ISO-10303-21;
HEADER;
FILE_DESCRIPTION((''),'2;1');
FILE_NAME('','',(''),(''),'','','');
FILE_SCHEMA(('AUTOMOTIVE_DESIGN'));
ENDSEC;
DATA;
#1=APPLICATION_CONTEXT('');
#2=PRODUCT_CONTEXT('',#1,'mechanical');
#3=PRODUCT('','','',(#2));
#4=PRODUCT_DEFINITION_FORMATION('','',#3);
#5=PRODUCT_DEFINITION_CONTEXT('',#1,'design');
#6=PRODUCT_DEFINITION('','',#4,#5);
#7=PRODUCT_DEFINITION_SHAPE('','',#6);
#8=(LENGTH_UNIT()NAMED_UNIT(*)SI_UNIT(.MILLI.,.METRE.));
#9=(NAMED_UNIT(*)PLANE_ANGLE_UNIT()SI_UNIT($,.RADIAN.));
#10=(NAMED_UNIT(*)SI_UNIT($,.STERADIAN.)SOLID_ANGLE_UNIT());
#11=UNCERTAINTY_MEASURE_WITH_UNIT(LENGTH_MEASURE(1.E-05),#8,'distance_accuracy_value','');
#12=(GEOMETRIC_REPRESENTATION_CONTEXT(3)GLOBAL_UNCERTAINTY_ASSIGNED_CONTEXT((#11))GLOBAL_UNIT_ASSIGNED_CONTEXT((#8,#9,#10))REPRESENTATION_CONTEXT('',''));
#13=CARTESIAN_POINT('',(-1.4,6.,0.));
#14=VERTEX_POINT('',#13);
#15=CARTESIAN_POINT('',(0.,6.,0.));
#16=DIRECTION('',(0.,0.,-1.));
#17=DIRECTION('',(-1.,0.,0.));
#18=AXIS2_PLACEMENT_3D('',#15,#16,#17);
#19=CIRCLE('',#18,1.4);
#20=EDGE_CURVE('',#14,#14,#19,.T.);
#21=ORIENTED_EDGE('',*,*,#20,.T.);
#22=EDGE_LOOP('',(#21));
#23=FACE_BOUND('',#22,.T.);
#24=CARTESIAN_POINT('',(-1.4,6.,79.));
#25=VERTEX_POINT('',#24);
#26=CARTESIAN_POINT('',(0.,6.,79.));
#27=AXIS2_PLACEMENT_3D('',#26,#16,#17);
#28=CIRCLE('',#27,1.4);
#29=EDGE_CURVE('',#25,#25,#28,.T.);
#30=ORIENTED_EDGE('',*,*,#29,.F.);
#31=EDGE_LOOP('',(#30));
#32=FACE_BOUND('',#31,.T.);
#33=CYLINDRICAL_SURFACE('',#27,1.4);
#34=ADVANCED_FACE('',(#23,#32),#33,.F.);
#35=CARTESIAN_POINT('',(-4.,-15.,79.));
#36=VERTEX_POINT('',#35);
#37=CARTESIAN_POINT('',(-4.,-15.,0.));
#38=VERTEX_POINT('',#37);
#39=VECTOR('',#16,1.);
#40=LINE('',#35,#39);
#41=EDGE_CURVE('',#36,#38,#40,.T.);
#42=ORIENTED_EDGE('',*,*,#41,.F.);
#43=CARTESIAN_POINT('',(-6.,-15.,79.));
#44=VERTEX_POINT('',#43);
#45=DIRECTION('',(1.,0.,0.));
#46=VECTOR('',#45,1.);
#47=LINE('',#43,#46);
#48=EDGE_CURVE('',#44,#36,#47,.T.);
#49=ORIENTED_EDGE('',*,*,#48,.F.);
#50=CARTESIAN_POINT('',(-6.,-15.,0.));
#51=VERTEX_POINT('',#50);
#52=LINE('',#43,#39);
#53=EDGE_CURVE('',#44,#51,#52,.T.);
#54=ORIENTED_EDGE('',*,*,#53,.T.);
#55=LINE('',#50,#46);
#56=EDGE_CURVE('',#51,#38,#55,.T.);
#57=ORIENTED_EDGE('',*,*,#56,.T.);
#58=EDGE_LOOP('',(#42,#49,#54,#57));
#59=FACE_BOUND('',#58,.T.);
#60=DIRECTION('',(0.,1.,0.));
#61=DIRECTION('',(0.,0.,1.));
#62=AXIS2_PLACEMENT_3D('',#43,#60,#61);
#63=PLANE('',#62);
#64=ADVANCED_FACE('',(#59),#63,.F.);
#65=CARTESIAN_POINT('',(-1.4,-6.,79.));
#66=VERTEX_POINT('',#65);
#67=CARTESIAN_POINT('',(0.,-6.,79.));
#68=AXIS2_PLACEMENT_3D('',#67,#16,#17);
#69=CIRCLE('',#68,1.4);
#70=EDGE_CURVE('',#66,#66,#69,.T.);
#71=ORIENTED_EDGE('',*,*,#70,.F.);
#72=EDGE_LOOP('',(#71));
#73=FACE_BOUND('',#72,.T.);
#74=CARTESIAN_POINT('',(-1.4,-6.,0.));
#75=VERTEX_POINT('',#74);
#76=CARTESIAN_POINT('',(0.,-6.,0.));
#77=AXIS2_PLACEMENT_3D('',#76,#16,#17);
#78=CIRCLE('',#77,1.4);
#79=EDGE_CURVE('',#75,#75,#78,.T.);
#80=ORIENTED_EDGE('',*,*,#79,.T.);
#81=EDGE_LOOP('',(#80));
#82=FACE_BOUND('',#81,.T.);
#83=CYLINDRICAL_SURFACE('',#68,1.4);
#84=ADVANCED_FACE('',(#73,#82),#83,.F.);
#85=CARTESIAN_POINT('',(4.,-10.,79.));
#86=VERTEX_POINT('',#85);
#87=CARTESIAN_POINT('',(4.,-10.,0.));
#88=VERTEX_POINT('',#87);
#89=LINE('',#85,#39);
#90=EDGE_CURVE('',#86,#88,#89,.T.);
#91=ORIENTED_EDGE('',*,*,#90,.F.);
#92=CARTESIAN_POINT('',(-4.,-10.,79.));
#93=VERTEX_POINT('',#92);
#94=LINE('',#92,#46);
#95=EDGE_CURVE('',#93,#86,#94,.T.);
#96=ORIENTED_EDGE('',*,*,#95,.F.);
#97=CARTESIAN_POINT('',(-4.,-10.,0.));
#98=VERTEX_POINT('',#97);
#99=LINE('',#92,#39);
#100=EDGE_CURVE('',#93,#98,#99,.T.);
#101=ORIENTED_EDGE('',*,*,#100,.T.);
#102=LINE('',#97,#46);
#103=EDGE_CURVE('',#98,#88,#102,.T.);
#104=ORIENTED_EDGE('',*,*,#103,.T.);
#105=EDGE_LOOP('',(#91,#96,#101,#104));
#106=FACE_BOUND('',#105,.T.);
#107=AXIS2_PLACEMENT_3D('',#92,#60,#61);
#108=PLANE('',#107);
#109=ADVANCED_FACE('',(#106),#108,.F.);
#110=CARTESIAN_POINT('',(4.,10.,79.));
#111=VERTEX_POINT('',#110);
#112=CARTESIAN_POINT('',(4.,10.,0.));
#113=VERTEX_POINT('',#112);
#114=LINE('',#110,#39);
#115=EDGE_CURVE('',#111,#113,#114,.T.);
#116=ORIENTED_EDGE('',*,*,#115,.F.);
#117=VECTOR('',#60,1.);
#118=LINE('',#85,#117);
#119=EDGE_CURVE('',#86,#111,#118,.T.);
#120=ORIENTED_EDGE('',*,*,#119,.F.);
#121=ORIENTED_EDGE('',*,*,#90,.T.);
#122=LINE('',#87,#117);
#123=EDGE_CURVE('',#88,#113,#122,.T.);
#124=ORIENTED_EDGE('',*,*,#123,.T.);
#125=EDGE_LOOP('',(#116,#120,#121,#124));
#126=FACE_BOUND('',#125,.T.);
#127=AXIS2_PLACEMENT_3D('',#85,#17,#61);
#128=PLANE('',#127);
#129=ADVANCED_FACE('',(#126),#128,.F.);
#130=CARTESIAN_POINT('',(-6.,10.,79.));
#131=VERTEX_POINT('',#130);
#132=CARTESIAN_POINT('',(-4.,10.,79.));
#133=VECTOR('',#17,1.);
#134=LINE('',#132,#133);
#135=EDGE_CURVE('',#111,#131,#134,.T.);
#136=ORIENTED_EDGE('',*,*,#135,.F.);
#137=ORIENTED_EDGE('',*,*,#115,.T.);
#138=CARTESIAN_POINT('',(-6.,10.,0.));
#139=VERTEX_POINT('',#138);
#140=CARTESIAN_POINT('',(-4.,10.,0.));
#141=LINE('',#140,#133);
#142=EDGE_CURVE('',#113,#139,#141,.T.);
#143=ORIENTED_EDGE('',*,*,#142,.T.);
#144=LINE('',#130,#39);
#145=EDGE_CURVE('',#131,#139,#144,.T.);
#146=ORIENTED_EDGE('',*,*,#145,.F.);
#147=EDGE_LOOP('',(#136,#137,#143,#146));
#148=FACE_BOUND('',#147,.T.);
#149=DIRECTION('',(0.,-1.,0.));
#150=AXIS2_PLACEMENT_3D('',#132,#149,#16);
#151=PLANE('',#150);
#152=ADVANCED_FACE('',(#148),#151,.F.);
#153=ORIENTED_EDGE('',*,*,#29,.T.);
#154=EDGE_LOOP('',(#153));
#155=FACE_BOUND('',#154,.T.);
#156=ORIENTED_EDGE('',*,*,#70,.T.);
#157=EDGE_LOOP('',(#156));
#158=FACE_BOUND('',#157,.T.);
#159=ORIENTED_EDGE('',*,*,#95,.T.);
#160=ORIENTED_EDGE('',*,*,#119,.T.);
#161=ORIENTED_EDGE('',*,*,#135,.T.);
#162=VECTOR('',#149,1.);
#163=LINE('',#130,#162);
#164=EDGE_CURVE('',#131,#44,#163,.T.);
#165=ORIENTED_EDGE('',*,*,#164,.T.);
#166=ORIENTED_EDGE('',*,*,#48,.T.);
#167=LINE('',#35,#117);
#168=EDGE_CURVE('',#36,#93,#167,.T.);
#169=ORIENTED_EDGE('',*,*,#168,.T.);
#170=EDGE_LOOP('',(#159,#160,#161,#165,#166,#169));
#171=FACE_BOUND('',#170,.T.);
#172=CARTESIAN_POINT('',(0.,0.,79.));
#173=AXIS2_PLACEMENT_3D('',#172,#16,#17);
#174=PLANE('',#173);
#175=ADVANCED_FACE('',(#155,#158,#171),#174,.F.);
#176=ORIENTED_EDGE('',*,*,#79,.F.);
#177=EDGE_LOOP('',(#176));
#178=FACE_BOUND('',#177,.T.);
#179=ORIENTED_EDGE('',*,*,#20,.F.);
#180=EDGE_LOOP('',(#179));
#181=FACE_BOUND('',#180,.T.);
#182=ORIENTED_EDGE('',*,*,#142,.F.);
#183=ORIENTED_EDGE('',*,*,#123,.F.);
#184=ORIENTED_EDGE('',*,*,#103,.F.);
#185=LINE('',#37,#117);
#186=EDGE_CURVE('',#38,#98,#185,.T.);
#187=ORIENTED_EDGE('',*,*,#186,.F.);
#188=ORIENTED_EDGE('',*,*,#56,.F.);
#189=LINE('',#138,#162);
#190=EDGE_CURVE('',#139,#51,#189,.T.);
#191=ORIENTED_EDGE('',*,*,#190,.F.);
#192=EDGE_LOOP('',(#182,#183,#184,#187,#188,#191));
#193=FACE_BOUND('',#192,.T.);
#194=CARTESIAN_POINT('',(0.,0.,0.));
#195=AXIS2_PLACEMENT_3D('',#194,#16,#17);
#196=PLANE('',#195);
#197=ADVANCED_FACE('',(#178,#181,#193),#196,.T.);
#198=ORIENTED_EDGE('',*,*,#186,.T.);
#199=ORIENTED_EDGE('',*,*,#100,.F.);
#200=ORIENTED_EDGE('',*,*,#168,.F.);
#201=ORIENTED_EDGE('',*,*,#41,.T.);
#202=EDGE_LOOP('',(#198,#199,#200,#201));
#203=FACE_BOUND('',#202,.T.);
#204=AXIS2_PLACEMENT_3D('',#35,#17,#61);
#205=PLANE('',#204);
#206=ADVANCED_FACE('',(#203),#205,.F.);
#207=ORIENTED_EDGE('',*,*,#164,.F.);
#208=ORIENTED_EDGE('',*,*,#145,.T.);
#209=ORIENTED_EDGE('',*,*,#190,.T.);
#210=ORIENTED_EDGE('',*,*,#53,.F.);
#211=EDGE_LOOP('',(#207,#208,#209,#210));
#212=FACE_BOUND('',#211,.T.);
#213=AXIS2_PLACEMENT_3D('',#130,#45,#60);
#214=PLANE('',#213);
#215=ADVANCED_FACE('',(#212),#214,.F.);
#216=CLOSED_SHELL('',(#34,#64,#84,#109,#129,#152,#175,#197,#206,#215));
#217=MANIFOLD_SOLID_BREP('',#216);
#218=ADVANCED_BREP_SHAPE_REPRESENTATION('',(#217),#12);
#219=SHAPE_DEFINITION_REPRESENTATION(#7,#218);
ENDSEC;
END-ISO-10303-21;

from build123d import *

# Parameters (mm, degrees)
BOSS_EXTRUDE1_DEPTH = 79
SKETCH2_R           = 1.4
CUT_EXTRUDE1_DEPTH  = 79


with BuildPart() as part:
    # Sketch1 → Boss-Extrude1 (new body)
    with BuildSketch(Plane.XY):
        Polygon((-4, 10), (-6, 10), (-6, -15), (-4, -15), (-4, -10), (4, -10), (4, 10), align=None)
    extrude(amount=BOSS_EXTRUDE1_DEPTH)

    # Sketch2 → Cut-Extrude1 (cut)
    with BuildSketch(Plane(origin=(0, 0, 0), x_dir=(-1, 0, 0), z_dir=(0, 0, -1))):
        with Locations((0, 6)):
            Circle(SKETCH2_R)
        with Locations((0, -6)):
            Circle(SKETCH2_R)
    extrude(amount=-CUT_EXTRUDE1_DEPTH, mode=Mode.SUBTRACT)


solid = part.part
